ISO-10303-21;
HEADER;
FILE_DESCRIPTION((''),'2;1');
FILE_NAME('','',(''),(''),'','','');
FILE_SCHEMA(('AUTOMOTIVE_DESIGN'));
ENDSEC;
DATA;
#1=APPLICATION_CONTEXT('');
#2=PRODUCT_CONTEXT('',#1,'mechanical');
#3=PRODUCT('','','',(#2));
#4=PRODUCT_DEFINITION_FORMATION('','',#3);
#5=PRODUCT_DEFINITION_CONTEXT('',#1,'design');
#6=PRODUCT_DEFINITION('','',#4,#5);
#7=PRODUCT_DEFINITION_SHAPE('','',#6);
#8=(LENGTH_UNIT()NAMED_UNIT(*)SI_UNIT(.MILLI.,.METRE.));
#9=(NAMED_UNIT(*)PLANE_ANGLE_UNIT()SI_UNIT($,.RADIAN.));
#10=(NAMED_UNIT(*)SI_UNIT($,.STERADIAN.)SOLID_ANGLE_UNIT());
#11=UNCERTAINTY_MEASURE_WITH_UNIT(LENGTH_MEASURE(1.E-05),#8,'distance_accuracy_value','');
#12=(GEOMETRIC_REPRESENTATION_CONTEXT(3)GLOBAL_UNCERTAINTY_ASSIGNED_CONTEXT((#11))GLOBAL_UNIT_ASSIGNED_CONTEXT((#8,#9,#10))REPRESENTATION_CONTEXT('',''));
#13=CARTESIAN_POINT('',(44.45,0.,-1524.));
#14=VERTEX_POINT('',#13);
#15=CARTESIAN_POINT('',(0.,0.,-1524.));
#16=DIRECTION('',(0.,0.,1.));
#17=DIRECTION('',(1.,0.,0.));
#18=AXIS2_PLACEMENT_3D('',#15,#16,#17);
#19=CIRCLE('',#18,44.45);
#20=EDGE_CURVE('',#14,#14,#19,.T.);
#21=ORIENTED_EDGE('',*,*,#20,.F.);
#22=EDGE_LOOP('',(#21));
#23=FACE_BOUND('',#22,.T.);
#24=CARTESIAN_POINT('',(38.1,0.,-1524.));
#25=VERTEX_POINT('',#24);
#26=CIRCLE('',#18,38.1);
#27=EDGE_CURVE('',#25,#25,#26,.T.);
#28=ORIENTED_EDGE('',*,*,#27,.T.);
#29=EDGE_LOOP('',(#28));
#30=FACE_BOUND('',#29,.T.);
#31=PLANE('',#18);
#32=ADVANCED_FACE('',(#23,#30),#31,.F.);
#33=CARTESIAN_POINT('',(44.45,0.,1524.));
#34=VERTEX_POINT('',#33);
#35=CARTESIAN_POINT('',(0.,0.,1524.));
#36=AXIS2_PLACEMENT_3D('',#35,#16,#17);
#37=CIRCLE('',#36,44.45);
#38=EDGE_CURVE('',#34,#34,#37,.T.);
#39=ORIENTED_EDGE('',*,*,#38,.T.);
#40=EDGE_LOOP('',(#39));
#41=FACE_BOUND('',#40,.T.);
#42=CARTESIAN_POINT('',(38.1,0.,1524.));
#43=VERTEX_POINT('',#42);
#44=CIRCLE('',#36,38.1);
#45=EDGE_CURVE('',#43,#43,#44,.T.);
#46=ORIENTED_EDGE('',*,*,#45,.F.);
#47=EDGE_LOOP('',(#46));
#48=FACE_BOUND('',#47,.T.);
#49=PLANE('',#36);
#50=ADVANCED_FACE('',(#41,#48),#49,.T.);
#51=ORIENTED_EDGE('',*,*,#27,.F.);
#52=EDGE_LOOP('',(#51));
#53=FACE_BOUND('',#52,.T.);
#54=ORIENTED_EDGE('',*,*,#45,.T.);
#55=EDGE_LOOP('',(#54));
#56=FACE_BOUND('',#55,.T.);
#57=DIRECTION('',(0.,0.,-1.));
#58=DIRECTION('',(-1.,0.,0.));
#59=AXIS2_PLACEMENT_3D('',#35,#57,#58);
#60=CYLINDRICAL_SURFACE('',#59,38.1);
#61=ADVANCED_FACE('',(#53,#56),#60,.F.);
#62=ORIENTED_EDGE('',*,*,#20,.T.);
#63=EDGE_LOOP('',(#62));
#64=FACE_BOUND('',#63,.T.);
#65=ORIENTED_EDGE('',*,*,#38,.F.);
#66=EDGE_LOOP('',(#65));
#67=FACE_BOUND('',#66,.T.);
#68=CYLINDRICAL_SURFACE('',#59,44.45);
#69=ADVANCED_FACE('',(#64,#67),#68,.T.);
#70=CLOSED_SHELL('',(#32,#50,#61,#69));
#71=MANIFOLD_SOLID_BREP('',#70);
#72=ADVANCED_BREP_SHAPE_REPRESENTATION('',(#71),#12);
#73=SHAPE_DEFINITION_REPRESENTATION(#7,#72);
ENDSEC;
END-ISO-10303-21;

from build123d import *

# Parameters (mm, degrees)
SKETCH1_R           = 44.45
SKETCH1_R_2         = 38.1
BOSS_EXTRUDE1_DEPTH = 1524


with BuildPart() as part:
    # Sketch1 → Boss-Extrude1 (new body, symmetric)
    with BuildSketch(Plane.XY):
        Circle(SKETCH1_R)
        Circle(SKETCH1_R_2, mode=Mode.SUBTRACT)
    extrude(amount=BOSS_EXTRUDE1_DEPTH, both=True)


solid = part.part
